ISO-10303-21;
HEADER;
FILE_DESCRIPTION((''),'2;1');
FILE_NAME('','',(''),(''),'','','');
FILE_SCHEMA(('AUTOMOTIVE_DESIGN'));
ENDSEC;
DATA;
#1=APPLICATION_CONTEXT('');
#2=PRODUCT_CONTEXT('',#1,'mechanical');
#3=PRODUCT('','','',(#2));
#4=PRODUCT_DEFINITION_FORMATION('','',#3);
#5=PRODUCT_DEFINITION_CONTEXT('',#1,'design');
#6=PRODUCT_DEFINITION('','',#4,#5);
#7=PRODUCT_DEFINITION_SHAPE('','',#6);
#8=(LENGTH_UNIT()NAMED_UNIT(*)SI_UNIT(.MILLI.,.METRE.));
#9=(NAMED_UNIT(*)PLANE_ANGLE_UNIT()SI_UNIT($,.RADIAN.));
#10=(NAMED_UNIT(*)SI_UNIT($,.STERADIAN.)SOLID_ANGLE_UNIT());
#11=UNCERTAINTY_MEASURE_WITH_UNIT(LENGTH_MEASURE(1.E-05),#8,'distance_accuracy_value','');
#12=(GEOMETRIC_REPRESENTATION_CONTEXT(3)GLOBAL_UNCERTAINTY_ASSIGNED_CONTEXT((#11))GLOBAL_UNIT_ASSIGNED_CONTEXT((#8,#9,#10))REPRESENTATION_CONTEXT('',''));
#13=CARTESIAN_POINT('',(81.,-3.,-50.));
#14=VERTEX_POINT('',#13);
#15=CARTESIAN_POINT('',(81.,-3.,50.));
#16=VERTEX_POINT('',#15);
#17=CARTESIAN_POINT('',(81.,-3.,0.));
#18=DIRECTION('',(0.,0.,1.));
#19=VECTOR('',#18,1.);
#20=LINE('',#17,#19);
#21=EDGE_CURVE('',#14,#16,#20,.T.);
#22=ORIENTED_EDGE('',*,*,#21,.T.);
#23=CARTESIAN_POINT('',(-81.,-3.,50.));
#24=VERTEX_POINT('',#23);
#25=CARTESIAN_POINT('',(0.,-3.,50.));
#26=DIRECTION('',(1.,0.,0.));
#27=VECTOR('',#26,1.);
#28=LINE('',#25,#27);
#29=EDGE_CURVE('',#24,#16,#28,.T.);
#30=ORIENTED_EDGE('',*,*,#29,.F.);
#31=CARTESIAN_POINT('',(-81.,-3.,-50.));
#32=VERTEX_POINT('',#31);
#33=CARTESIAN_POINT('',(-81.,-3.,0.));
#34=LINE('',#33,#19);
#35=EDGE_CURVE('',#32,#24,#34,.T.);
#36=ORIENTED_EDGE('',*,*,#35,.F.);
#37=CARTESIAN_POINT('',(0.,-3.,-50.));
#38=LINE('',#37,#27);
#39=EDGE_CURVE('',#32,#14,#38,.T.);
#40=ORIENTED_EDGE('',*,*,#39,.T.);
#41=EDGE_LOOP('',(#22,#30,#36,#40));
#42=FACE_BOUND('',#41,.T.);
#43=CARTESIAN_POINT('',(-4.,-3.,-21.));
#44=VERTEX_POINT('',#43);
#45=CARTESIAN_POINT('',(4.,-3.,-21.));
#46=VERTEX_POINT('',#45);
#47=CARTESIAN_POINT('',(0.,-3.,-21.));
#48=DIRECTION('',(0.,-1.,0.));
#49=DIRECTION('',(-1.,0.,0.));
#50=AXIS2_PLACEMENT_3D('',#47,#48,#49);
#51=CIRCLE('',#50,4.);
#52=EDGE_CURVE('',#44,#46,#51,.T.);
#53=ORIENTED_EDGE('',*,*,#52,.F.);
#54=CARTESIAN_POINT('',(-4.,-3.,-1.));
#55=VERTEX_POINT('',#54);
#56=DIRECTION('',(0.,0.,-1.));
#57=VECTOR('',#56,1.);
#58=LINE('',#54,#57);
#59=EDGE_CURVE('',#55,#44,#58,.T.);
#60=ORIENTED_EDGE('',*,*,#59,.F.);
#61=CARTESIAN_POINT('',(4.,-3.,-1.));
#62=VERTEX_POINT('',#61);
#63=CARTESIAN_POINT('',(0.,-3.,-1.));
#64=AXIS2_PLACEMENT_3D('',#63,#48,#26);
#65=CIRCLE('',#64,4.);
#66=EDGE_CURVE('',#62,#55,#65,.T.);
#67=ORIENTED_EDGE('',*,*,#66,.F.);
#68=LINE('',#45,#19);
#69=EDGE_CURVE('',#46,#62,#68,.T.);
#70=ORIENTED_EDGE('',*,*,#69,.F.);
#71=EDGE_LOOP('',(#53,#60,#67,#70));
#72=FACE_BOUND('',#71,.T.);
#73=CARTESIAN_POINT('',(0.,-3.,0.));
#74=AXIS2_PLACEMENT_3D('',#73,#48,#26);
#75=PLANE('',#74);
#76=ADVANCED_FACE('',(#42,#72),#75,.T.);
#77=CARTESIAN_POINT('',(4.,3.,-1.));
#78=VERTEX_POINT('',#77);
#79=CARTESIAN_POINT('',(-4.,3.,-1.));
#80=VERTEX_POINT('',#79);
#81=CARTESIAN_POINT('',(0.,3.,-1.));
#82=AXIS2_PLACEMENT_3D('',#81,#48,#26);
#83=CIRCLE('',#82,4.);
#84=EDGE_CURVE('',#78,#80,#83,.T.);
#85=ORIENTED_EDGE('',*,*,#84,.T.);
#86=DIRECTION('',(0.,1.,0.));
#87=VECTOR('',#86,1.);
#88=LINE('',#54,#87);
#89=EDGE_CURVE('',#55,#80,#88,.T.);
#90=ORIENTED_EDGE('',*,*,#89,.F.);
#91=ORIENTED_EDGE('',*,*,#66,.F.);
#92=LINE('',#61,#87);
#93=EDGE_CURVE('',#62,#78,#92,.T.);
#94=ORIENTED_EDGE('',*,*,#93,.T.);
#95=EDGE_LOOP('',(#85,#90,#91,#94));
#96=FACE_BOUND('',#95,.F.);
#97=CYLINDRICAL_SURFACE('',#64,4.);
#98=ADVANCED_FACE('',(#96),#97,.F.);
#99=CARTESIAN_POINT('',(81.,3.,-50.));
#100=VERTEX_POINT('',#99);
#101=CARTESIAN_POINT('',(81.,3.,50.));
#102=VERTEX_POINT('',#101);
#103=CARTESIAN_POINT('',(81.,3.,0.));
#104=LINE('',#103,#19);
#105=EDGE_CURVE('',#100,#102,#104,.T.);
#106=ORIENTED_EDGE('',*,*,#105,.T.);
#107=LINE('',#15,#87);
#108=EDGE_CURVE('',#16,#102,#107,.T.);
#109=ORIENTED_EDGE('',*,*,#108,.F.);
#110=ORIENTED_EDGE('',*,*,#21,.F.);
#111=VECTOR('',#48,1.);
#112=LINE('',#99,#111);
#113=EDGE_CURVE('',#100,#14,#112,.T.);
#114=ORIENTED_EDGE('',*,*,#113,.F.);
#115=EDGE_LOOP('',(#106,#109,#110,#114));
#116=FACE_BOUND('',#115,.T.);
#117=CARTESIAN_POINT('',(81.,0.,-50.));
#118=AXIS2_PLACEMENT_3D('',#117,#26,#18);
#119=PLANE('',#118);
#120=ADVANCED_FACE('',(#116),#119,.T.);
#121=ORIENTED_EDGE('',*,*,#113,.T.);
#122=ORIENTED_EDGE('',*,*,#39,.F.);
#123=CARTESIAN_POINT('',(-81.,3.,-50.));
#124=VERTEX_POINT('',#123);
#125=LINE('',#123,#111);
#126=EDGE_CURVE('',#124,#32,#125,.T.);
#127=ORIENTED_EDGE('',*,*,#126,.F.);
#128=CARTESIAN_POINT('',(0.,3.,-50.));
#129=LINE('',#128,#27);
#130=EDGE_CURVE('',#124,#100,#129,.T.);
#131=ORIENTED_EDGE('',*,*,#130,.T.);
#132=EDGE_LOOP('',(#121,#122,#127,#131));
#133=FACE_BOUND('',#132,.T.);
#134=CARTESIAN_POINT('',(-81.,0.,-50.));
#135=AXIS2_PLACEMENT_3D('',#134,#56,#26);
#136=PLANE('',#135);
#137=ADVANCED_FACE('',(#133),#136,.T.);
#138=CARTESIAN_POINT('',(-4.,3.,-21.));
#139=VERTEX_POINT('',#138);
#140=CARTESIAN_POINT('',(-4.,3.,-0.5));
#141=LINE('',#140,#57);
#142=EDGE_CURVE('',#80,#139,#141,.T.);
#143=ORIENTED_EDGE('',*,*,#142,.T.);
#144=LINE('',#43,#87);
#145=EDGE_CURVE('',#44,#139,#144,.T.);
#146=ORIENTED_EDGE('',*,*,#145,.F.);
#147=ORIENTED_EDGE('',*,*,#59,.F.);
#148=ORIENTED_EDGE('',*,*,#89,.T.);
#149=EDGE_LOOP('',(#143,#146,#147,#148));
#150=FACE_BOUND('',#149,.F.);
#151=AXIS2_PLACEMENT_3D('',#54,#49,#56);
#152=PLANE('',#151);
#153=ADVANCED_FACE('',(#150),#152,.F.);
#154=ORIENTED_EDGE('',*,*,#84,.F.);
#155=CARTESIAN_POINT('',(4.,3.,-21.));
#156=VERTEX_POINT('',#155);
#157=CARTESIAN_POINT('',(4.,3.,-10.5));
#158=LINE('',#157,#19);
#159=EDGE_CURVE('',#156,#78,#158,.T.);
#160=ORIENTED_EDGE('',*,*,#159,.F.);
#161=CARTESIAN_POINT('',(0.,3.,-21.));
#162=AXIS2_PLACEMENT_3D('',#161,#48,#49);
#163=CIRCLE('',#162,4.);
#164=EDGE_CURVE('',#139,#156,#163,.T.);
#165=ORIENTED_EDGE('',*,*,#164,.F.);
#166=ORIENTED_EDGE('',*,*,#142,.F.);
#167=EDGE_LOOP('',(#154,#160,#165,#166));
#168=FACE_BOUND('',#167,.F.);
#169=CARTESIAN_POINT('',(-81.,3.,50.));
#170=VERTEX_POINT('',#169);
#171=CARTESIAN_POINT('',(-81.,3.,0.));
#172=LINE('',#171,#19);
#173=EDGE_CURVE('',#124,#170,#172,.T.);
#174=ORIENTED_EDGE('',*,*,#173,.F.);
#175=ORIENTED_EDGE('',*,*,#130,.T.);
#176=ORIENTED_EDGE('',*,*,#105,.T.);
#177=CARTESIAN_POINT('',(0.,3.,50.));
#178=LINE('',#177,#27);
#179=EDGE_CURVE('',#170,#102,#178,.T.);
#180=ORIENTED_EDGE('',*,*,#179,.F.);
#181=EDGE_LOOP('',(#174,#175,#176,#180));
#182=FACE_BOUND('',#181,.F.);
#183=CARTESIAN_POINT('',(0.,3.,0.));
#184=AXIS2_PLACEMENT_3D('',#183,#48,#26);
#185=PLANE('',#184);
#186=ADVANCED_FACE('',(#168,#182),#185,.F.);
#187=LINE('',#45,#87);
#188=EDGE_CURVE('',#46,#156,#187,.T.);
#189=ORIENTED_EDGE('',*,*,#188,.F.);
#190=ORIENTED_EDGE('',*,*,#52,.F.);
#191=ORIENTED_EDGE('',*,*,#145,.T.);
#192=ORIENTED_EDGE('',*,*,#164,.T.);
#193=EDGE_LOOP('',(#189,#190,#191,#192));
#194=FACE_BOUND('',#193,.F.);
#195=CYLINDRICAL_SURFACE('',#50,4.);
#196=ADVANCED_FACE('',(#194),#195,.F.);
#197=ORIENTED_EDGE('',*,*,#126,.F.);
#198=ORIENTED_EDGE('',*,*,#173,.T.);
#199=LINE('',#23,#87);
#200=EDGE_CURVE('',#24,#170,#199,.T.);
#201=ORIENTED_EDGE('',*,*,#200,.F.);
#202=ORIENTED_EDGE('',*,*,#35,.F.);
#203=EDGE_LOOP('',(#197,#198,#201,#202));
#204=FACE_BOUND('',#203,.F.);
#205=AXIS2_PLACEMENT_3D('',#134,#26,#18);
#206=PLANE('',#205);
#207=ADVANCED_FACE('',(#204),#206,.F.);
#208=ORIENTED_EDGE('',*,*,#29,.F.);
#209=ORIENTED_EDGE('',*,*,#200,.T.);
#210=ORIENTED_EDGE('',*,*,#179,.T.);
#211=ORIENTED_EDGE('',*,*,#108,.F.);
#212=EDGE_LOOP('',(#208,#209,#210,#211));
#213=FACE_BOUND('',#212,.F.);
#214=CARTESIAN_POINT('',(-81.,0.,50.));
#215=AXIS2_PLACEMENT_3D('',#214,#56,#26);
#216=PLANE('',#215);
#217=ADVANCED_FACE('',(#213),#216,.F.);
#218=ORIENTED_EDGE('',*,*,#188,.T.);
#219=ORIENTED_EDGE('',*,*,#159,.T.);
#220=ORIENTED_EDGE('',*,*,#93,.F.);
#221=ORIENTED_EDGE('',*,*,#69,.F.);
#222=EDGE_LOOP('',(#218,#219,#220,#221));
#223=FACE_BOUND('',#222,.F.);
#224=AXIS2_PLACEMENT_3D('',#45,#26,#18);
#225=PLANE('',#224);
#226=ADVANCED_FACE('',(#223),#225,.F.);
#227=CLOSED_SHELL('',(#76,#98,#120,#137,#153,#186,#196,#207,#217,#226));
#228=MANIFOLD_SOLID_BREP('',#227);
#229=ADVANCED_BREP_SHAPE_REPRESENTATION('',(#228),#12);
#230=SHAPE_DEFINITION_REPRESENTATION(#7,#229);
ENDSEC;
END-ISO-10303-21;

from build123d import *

# Parameters (mm, degrees)
F0_W     = 162
F0_H     = 100
F1_DEPTH = 3
F3_DEPTH = 25


with BuildPart() as f1:
    # F0 (on Front) → F1 (new body, symmetric)
    with BuildSketch(Plane.XZ):
        Rectangle(F0_W, F0_H)
    extrude(amount=F1_DEPTH, both=True)

    # F2 (on face) → F3 (cut)
    with BuildSketch(Plane.XZ.offset(3)):
        with BuildLine():
            ThreePointArc((-4, -21), (0, -25), (4, -21))
            Line((4, -21), (4, -1))
            ThreePointArc((4, -1), (0, 3), (-4, -1))
            Line((-4, -1), (-4, -21))
        make_face()
    extrude(amount=-F3_DEPTH, mode=Mode.SUBTRACT)


solid = f1.part
